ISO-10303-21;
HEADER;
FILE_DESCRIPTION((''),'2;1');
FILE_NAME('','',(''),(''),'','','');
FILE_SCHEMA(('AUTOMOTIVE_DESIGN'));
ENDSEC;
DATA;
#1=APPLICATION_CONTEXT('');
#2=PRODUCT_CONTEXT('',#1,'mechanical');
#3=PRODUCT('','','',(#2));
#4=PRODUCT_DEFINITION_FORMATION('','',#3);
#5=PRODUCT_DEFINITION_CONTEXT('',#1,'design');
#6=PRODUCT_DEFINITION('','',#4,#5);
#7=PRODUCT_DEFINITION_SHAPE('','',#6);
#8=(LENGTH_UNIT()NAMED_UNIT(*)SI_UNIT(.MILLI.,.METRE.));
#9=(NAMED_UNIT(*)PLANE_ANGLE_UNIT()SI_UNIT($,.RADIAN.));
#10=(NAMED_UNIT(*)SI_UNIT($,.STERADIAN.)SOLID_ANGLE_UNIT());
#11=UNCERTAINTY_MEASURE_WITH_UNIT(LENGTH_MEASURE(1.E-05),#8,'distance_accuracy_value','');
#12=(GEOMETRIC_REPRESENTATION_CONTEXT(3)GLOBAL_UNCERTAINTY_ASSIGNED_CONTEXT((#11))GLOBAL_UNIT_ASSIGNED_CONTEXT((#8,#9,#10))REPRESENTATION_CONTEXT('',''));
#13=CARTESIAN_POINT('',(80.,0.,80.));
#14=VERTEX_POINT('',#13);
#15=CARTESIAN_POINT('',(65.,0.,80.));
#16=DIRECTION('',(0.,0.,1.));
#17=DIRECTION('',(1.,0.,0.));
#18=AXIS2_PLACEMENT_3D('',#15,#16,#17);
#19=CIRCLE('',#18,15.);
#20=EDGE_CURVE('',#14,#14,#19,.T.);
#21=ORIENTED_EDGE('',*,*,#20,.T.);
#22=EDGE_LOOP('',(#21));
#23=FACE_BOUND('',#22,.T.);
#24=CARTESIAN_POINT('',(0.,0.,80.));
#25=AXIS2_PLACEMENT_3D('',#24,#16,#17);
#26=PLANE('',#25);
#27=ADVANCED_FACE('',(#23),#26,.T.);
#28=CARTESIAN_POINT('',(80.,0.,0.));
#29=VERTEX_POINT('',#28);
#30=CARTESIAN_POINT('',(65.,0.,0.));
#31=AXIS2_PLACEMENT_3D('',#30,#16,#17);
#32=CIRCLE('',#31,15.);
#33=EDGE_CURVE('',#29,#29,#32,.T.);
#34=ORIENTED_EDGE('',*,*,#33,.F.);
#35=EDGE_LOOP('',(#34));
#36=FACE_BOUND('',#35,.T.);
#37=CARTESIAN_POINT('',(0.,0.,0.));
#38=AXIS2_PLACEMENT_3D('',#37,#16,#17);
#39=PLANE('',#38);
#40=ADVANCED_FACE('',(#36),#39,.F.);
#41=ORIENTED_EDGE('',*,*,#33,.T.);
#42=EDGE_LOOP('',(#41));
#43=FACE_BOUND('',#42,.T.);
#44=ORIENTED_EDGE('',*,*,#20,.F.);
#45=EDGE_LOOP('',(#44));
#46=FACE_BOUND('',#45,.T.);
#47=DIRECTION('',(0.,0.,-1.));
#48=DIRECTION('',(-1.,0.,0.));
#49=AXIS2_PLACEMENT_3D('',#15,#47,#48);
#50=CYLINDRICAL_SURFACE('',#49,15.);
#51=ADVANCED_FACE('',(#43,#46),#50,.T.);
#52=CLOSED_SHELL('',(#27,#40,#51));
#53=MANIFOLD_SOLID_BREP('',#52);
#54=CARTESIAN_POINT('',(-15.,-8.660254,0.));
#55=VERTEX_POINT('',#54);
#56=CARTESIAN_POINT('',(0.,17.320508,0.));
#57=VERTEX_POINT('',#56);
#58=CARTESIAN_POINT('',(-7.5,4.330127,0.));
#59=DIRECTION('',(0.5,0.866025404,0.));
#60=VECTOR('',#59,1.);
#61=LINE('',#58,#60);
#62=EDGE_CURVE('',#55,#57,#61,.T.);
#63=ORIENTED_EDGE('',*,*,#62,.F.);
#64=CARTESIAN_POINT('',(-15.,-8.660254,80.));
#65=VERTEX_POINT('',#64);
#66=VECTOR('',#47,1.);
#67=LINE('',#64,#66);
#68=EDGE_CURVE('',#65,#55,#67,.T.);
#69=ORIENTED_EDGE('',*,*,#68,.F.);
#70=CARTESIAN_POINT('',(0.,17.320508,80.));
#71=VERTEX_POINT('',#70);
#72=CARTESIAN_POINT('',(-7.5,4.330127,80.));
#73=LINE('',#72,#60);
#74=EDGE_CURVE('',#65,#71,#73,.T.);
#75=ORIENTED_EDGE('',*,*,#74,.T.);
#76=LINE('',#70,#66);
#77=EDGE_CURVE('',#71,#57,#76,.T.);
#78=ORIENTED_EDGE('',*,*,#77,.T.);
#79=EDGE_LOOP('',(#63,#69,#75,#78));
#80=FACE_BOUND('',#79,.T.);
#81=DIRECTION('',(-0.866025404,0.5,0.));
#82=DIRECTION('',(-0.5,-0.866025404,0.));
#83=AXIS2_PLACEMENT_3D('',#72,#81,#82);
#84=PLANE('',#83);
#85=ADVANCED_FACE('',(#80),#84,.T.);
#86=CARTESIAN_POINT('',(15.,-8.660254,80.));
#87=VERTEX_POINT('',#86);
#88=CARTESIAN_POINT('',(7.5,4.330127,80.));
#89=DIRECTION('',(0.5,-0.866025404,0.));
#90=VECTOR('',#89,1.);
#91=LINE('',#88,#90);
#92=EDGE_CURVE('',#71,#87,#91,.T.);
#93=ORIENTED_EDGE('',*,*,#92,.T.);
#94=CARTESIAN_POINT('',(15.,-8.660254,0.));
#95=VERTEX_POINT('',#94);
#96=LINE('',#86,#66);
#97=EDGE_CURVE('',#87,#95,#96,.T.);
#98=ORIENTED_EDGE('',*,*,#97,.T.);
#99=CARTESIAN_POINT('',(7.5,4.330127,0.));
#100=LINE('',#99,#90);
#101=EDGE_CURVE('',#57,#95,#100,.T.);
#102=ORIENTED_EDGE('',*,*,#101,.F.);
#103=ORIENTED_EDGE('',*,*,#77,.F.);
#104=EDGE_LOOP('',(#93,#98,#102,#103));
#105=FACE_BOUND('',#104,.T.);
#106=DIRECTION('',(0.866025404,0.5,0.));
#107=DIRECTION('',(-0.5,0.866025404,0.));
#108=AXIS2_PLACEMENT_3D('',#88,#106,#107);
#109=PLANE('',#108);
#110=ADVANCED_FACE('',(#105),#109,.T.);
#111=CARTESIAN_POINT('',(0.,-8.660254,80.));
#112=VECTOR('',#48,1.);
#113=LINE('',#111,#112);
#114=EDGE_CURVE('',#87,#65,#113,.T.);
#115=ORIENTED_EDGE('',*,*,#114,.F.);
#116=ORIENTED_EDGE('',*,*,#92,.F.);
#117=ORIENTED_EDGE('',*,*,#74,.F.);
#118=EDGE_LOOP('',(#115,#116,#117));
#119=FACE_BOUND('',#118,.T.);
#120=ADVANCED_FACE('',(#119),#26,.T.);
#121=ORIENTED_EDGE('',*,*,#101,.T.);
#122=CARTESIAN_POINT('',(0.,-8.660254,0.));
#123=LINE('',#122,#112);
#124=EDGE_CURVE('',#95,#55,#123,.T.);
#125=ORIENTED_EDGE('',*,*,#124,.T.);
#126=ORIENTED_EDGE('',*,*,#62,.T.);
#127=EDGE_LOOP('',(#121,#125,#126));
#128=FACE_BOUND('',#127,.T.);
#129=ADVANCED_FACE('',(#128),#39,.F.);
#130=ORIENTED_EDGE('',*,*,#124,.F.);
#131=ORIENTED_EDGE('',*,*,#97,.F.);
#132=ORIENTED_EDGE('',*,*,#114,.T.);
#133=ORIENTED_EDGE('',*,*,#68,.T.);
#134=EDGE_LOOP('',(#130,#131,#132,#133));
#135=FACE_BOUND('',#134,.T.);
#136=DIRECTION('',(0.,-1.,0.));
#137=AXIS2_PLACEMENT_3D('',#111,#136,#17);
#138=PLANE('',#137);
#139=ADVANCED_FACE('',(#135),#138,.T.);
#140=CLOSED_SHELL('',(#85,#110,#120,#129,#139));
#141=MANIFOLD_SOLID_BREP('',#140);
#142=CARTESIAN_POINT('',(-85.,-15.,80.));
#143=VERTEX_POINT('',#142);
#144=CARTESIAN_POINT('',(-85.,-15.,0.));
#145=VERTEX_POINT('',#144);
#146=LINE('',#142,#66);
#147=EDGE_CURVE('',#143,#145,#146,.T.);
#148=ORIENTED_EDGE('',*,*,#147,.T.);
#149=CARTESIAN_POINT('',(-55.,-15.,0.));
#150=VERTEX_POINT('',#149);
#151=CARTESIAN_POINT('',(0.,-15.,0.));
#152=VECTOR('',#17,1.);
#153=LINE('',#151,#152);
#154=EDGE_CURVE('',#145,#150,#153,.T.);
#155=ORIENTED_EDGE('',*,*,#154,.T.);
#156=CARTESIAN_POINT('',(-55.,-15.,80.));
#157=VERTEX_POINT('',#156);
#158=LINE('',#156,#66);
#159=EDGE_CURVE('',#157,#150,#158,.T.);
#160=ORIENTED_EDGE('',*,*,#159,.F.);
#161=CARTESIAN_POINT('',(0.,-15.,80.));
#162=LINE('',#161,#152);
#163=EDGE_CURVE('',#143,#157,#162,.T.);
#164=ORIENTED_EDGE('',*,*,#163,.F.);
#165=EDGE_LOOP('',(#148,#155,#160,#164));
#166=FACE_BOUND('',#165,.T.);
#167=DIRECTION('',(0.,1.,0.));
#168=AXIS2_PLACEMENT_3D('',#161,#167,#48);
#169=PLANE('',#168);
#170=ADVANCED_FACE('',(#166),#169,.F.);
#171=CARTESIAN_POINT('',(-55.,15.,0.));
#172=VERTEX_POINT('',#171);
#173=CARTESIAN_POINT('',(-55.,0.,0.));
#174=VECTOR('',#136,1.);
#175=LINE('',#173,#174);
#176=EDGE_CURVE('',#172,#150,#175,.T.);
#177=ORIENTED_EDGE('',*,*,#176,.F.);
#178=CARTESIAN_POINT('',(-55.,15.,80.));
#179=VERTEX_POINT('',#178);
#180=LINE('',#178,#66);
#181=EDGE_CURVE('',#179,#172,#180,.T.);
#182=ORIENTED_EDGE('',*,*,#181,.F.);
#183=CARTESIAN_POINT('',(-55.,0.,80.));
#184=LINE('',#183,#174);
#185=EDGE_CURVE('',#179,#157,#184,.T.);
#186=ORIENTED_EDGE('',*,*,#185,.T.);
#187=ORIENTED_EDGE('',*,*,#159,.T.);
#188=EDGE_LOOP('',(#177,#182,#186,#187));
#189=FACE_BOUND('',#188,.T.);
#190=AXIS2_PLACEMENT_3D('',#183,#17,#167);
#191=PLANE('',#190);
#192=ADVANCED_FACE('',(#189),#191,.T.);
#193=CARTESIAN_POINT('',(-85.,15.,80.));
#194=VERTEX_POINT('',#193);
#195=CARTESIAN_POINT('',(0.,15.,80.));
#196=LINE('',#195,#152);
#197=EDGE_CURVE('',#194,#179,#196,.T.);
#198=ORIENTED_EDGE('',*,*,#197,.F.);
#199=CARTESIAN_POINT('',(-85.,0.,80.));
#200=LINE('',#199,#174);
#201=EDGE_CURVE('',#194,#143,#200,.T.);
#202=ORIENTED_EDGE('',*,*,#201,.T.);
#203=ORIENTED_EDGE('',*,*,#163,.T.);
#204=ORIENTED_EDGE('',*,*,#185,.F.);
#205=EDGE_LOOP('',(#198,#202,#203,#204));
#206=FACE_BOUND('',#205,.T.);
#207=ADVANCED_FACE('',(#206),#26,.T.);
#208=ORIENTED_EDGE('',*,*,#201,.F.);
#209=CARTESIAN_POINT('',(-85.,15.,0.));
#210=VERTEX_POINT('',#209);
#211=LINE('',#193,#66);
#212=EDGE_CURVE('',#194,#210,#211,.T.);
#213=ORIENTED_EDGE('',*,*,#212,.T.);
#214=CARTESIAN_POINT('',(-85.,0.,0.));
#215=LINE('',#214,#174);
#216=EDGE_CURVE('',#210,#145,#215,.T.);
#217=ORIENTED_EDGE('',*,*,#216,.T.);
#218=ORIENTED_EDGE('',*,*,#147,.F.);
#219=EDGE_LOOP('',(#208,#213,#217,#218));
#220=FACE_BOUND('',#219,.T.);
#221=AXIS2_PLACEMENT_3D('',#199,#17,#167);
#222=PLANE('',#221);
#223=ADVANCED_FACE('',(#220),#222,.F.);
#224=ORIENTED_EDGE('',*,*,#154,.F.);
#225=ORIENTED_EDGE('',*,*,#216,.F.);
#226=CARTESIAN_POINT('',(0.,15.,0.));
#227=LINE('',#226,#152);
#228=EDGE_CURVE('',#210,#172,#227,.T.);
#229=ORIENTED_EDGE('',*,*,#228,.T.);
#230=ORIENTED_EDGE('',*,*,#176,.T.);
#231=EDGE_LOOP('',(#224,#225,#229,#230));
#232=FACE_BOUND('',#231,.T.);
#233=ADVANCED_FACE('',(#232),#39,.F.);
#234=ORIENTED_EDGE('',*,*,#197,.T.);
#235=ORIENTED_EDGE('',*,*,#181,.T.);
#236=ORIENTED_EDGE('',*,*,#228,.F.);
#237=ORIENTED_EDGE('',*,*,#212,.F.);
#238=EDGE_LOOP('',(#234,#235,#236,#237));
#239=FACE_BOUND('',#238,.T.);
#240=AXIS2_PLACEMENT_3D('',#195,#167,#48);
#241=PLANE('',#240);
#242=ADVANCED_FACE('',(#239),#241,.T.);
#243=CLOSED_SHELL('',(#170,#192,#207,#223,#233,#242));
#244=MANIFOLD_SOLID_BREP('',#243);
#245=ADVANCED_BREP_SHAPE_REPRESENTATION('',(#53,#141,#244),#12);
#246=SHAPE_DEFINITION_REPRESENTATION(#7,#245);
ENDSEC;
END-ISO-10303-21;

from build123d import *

# Parameters (mm, degrees)
SKETCH1_R             = 15
BOSS_EXTRUDE1_DEPTH   = 80
BOSS_EXTRUDE1_2_DEPTH = 80
SKETCH1_W             = 30
SKETCH1_H             = 30
BOSS_EXTRUDE1_3_DEPTH = 80


with BuildPart() as part:
    # Sketch1 → Boss-Extrude1 (new body)
    with BuildSketch(Plane.XY):
        with Locations((65, 0)):
            Circle(SKETCH1_R)
    extrude(amount=BOSS_EXTRUDE1_DEPTH)


with BuildPart() as body_2:
    # Sketch1 → Boss-Extrude1 2 (new body)
    with BuildSketch(Plane.XY):
        Polygon((-15, -8.660254038), (0, 17.320508076), (15, -8.660254038), align=None)
    extrude(amount=BOSS_EXTRUDE1_2_DEPTH)


with BuildPart() as body_3:
    # Sketch1 → Boss-Extrude1 3 (new body)
    with BuildSketch(Plane.XY):
        with Locations((-70, 0)):
            Rectangle(SKETCH1_W, SKETCH1_H)
    extrude(amount=BOSS_EXTRUDE1_3_DEPTH)


solid = Compound([part.part, body_2.part, body_3.part])
